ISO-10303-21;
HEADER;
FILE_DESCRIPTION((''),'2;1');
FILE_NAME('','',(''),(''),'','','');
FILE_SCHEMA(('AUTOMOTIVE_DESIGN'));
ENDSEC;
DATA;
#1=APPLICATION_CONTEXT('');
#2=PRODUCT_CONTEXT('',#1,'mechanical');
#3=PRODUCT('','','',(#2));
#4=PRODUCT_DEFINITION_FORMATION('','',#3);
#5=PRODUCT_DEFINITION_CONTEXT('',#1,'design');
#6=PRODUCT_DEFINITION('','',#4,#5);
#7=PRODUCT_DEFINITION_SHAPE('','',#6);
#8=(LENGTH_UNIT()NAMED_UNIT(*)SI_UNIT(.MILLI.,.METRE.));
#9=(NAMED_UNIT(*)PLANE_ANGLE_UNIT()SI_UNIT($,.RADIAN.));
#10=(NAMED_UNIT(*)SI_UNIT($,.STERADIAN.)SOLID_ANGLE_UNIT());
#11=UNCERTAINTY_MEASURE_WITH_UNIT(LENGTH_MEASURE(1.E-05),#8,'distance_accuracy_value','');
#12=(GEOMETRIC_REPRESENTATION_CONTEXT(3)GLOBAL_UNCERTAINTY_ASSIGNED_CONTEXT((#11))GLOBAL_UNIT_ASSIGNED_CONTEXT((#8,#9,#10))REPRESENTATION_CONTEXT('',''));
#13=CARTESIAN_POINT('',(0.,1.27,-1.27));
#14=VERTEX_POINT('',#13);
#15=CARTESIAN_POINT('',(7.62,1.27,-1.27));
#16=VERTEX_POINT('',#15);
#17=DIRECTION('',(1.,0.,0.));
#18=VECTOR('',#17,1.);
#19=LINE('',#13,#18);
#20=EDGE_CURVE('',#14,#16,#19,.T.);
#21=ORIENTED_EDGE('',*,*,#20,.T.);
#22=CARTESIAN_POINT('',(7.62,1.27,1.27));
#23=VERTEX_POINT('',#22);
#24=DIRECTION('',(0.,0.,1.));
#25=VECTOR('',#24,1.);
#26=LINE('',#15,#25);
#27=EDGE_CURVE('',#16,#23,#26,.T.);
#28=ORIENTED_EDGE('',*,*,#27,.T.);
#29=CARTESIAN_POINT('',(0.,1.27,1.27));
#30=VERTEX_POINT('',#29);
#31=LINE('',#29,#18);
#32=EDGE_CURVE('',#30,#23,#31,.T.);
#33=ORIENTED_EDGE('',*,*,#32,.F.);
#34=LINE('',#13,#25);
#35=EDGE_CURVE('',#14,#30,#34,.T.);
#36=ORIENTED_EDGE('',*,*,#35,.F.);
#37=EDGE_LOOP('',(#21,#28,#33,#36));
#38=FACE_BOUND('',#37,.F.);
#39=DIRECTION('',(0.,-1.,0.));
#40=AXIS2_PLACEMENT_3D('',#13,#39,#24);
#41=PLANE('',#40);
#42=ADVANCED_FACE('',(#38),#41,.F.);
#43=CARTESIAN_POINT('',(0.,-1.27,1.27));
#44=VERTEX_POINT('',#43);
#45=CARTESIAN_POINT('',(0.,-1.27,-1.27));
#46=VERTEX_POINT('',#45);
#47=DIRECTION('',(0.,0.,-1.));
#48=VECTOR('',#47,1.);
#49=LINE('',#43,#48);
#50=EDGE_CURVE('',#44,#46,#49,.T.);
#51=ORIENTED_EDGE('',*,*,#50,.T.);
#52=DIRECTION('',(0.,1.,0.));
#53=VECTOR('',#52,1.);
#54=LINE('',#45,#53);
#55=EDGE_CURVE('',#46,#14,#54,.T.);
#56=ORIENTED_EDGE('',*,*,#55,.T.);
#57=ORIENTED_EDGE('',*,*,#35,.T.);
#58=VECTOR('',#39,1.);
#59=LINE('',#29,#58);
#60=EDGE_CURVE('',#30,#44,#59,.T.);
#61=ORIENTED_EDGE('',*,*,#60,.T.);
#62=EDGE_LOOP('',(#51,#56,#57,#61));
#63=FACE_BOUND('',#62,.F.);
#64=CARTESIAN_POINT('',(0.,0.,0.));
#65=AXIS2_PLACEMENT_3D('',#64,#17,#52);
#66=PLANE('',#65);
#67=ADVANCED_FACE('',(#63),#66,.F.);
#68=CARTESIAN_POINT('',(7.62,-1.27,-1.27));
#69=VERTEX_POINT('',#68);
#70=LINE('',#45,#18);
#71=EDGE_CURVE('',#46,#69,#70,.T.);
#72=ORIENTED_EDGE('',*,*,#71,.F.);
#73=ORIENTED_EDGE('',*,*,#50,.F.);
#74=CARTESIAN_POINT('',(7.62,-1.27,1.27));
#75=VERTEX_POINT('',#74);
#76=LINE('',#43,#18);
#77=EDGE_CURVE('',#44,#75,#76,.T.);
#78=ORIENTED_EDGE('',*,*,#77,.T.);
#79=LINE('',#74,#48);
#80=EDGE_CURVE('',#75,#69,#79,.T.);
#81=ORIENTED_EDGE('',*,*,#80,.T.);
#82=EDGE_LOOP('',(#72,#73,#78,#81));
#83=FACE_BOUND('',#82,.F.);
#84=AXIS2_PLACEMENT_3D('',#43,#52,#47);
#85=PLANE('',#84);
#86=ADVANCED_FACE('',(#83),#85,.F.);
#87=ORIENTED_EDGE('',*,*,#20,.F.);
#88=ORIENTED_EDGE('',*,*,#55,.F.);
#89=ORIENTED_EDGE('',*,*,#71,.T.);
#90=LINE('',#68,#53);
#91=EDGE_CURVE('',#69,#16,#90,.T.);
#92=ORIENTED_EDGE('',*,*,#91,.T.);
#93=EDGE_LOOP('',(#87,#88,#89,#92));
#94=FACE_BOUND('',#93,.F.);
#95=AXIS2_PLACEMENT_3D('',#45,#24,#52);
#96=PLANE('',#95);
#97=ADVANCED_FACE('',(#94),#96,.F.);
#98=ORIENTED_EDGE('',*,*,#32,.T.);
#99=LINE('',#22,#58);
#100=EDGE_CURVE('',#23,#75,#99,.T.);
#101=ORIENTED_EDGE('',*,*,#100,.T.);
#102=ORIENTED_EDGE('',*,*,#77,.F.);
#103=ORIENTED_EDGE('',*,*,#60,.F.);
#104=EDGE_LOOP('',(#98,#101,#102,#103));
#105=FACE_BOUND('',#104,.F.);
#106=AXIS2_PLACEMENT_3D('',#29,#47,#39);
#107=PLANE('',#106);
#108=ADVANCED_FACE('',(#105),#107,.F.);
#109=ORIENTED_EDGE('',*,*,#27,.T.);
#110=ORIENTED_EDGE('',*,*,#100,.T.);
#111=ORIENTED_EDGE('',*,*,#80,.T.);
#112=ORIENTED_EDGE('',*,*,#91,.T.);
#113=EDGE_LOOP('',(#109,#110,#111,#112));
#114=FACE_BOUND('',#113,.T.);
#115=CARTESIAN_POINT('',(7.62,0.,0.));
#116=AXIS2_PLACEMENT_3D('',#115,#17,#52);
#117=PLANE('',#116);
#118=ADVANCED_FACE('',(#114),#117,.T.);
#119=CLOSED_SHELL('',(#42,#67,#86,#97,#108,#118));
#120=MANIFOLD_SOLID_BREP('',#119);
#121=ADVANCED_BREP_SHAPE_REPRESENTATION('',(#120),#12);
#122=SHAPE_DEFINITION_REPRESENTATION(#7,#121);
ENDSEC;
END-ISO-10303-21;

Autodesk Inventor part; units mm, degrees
ref_plane "YZ Plane" through (0, 0, 0) normal (1, 0, 0) x (0, 1, 0)
ref_plane "XZ Plane" through (0, 0, 0) normal (0, 1, 0) x (-1, 0, 0)
ref_plane "XY Plane" through (0, 0, 0) normal (0, 0, 1) x (1, 0, 0)
sketch "Sketch1" plane through (0, 0, 0) normal (1, 0, 0) x (0, 1, 0)
  line L0 (0, 0) -> (0, 1.27) construction
  line L1 (0, 1.27) -> (1.27, 1.27) construction
  line L2 (0, 0) -> (0, -1.27) construction
  line L3 (0, -1.27) -> (-1.27, -1.27) construction
  line L4 (1.27, 1.27) -> (-1.27, 1.27)
  line L5 (-1.27, 1.27) -> (-1.27, -1.27)
  line L6 (-1.27, -1.27) -> (1.27, -1.27)
  line L7 (1.27, -1.27) -> (1.27, 1.27)
  dimension "d6" = 1.27
  dimension "d7" = 1.27
  dimension "d8" = 1.27
  dimension "d9" = 1.27
extrude "Extrusion2" add sketch "Sketch1" along normal blind 7.62
